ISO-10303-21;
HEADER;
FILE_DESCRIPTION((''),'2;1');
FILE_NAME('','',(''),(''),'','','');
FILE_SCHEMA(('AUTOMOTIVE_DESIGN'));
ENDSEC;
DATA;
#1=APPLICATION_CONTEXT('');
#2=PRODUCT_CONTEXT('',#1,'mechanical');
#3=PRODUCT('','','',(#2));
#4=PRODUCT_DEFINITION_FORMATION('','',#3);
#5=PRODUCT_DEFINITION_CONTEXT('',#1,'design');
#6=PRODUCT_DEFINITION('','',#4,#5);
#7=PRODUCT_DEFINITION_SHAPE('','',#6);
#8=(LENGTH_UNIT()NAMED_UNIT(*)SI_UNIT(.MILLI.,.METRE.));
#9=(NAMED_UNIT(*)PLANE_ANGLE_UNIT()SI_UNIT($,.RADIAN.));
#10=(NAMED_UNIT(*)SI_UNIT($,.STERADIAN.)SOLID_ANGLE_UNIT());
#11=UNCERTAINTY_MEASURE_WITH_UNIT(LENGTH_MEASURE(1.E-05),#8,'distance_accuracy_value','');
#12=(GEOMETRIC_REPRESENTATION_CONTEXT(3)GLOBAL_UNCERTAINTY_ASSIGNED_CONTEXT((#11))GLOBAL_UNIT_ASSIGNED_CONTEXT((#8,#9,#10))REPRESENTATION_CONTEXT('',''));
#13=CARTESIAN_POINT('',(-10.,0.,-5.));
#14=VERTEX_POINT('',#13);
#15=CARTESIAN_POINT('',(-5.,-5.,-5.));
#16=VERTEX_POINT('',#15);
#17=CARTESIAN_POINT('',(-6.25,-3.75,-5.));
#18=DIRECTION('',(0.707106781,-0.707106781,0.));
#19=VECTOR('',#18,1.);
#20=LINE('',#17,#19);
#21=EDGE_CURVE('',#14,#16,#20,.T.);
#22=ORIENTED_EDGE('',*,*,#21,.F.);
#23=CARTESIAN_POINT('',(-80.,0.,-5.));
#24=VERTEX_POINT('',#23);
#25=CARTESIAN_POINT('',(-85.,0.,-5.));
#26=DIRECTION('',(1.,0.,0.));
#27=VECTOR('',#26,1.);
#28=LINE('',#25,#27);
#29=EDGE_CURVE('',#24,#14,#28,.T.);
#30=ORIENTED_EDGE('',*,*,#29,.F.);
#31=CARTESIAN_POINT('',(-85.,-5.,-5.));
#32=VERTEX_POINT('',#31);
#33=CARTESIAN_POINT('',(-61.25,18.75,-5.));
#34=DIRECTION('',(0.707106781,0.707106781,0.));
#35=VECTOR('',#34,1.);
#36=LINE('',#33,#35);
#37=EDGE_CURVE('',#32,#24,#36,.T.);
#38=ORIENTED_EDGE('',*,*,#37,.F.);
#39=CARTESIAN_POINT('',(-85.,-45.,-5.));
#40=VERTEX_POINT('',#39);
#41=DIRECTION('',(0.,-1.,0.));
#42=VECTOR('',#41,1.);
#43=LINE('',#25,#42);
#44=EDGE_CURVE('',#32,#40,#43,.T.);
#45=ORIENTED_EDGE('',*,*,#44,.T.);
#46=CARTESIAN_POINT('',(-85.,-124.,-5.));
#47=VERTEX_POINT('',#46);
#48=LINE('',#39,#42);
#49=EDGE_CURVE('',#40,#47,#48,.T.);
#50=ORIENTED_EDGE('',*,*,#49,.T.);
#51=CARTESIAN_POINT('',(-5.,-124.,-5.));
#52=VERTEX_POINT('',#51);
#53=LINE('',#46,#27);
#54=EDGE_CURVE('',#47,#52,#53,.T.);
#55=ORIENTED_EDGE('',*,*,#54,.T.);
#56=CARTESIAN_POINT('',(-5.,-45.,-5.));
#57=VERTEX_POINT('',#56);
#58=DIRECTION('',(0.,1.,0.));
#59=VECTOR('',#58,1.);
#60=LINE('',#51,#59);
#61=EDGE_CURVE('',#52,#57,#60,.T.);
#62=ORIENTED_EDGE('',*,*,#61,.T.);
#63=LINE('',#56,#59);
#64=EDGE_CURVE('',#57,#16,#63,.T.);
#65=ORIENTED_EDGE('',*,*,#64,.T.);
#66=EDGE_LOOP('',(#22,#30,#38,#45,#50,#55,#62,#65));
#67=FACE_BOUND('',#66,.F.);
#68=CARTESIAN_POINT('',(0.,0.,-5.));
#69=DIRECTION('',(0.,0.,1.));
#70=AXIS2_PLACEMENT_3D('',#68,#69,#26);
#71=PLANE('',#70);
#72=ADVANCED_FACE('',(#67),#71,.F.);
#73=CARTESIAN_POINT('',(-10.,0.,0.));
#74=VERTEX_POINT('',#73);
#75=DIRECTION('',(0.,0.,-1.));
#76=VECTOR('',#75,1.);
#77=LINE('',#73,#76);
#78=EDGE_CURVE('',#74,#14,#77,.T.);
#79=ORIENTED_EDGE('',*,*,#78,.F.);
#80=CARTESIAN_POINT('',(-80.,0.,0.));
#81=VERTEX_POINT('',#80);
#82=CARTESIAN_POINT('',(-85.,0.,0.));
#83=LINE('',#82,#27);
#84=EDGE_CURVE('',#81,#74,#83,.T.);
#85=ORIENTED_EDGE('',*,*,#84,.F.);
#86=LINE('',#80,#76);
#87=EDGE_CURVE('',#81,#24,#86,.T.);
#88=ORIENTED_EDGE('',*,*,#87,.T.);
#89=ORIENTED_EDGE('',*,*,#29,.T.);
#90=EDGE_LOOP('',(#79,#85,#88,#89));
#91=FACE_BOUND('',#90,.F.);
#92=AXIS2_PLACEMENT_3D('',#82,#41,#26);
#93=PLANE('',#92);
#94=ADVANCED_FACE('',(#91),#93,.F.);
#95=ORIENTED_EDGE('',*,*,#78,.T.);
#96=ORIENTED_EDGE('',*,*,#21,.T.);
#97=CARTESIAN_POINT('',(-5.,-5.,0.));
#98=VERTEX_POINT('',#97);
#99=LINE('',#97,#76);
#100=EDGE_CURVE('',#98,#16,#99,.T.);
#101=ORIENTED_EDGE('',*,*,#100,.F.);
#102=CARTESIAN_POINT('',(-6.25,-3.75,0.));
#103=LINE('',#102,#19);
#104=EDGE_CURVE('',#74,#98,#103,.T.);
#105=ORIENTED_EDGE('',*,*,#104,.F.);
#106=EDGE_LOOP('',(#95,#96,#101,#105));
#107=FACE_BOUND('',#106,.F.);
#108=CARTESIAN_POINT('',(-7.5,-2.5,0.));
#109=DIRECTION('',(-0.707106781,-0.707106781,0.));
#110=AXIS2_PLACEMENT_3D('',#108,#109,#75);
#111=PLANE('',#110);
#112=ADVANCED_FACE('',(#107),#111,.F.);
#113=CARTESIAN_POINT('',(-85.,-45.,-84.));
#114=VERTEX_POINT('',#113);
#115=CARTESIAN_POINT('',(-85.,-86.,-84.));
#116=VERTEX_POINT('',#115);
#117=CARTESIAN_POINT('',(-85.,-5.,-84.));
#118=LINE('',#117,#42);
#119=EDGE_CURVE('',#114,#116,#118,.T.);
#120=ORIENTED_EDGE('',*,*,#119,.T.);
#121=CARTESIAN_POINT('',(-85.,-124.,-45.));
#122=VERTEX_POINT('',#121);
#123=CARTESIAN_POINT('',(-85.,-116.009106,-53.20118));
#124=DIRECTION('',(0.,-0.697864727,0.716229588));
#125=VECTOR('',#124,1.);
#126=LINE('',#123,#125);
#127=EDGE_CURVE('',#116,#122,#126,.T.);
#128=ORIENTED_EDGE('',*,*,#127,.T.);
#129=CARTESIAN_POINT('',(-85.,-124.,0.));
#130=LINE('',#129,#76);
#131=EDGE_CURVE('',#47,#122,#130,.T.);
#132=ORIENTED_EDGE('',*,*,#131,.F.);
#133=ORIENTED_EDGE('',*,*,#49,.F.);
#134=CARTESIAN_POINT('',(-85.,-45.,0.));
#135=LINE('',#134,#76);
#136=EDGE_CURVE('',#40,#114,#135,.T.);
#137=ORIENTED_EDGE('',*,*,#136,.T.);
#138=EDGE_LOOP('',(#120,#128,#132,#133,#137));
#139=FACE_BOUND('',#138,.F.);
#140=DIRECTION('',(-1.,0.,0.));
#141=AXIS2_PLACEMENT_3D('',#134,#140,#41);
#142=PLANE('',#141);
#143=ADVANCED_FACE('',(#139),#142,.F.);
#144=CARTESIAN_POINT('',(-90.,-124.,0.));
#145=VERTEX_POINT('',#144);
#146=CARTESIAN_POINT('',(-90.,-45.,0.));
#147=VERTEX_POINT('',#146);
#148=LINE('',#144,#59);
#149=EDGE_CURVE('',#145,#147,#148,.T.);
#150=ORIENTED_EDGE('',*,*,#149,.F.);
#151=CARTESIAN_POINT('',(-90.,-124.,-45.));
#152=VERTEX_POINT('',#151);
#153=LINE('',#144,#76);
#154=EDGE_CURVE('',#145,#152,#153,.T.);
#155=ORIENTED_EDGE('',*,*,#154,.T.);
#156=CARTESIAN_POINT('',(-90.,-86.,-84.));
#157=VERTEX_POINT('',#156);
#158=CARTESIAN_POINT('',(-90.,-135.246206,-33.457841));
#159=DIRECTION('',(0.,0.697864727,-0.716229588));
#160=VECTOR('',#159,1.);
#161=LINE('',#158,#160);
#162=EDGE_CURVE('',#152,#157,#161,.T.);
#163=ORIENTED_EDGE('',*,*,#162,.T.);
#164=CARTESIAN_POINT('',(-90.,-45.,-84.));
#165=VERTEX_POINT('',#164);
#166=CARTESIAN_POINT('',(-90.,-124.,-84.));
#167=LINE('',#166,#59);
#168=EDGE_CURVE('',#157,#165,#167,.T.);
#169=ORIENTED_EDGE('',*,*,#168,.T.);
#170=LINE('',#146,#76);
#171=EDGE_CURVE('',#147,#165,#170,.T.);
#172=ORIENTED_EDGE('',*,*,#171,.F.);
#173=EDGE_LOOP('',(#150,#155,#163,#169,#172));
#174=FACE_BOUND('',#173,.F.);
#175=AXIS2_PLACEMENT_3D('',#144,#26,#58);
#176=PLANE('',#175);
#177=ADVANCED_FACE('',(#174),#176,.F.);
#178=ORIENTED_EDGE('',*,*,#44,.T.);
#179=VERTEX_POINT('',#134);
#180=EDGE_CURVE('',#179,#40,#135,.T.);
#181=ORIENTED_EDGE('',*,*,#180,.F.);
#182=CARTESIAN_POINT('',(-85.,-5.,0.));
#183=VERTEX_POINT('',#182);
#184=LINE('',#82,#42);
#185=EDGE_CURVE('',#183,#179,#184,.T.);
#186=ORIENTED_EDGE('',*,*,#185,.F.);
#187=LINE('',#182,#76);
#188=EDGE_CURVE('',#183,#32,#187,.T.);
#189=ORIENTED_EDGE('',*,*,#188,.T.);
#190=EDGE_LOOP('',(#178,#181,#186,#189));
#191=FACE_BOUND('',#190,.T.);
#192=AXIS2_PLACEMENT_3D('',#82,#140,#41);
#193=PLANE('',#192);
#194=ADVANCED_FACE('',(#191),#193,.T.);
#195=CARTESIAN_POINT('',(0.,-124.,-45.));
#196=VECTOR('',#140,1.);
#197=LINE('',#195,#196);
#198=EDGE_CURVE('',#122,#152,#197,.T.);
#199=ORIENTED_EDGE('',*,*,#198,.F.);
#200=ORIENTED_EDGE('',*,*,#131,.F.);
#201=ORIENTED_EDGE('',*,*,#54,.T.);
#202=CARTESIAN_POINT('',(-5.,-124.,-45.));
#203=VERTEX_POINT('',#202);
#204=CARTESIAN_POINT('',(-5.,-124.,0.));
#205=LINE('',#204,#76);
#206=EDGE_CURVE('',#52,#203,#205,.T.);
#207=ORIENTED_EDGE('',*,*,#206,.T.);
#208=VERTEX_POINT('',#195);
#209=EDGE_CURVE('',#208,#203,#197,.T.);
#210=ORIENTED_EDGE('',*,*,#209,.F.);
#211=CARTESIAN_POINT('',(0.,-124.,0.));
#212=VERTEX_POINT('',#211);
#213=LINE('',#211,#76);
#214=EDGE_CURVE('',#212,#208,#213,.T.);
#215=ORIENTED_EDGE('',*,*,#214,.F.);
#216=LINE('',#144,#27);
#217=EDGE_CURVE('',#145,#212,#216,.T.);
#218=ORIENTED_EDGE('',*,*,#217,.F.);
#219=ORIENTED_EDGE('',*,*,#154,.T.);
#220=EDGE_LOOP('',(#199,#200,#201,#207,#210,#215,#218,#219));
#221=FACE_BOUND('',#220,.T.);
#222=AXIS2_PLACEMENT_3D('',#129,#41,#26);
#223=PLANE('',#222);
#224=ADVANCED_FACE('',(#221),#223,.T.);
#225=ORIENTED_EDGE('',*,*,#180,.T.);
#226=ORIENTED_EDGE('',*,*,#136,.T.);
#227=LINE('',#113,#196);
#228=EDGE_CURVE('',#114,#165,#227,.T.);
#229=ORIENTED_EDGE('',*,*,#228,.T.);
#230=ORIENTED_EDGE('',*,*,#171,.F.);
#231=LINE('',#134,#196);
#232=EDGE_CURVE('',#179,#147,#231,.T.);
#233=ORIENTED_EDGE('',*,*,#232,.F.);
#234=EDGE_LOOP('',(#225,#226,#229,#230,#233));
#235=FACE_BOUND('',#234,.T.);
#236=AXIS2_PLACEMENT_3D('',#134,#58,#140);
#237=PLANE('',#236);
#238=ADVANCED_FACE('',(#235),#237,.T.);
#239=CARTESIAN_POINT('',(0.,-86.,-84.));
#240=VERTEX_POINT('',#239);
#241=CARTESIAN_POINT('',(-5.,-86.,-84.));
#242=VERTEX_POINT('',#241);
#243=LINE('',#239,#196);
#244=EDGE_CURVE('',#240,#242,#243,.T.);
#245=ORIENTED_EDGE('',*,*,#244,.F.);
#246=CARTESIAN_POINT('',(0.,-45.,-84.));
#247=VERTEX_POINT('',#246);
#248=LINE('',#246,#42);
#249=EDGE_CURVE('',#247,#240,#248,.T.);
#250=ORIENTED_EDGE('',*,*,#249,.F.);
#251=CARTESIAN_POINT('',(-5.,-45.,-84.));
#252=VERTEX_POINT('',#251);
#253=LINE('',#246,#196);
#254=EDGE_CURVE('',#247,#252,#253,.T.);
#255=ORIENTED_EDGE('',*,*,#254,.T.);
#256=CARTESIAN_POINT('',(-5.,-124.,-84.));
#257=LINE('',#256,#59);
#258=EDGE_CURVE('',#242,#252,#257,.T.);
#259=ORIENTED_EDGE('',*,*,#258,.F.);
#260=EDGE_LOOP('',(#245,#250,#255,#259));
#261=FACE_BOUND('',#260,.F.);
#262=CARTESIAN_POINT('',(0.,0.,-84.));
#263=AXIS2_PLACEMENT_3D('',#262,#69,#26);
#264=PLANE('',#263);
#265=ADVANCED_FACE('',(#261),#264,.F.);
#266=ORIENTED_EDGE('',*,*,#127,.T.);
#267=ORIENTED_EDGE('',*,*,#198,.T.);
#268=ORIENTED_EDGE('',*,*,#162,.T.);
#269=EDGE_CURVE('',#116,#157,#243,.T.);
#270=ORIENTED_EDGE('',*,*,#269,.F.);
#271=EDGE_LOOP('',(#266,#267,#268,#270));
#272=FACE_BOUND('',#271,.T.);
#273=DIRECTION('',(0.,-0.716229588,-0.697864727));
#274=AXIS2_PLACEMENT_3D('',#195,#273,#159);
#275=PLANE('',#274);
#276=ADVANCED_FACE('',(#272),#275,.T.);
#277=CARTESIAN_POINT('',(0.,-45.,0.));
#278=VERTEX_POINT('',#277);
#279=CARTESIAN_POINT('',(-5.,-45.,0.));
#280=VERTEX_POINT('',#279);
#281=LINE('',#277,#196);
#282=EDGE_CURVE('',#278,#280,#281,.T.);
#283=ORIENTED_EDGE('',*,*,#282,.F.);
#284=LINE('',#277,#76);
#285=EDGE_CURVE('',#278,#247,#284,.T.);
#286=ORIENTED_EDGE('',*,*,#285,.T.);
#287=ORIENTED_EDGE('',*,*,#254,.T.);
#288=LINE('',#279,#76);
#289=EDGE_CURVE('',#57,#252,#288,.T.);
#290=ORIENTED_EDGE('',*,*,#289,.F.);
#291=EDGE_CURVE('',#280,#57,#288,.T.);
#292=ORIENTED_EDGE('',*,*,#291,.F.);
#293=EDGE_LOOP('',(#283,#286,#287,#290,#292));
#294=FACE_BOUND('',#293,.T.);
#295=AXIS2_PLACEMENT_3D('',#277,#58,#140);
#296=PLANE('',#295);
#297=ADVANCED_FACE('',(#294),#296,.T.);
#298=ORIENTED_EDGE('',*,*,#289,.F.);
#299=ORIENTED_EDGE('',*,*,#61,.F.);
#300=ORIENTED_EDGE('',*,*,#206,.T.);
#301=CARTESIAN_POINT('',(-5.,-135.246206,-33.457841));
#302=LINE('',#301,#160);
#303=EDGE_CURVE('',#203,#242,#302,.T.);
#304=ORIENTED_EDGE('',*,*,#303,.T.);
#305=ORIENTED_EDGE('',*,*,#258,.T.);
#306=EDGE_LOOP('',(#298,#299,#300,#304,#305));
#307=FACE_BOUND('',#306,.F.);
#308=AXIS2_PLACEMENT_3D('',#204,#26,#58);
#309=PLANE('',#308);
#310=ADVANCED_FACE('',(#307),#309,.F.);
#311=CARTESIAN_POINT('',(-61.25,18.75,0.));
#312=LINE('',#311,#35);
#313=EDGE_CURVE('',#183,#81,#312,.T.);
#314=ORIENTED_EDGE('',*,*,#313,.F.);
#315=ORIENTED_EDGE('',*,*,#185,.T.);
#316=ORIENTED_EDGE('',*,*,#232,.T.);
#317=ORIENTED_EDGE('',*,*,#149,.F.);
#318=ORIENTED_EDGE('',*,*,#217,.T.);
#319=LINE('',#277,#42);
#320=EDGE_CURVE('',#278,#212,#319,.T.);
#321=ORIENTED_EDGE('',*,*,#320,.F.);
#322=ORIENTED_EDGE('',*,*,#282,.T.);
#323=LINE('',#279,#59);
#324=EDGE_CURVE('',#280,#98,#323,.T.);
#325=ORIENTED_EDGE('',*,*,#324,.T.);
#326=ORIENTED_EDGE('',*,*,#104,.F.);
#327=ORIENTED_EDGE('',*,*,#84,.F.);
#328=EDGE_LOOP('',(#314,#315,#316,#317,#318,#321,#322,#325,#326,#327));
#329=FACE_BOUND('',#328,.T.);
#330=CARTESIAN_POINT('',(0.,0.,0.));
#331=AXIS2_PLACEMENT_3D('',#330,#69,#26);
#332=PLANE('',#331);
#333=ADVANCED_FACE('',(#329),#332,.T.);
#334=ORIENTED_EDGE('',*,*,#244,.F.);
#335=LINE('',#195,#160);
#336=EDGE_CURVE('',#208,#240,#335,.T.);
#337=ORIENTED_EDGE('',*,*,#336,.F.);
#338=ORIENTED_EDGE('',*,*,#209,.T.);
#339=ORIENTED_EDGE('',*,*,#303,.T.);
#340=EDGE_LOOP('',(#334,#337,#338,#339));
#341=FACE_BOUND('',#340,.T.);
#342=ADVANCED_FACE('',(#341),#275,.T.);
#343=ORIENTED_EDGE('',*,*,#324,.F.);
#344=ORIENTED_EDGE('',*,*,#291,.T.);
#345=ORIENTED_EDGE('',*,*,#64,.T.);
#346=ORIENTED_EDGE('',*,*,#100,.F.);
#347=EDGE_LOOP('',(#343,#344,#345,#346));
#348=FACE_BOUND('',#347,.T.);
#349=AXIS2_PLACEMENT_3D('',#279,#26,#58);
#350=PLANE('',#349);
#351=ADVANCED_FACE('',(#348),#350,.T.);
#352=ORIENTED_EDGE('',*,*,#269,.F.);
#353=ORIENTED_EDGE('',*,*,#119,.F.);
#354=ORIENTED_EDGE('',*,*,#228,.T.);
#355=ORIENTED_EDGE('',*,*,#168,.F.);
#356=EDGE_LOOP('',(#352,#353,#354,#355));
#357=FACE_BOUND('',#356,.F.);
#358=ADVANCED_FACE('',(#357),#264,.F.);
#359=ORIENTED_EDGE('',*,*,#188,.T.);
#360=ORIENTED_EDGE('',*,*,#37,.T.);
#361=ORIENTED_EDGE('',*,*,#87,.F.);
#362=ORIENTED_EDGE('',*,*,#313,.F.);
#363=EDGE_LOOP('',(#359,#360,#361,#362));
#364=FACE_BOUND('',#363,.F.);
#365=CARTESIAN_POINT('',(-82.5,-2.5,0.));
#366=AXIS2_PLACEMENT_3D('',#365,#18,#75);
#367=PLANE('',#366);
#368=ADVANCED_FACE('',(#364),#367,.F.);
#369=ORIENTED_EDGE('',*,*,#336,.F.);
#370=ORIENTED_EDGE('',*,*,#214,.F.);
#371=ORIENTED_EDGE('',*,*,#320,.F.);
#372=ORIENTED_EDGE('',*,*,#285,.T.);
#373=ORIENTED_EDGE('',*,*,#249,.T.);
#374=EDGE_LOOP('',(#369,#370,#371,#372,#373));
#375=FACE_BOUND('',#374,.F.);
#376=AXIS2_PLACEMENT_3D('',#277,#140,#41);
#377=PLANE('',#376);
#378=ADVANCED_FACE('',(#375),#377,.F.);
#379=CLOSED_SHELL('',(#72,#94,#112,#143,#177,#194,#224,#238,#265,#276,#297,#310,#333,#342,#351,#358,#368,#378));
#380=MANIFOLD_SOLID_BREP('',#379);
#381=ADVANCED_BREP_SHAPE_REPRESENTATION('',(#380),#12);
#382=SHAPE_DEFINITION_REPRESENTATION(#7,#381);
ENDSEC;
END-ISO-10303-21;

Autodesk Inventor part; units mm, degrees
ref_plane "YZ Plane" through (0, 0, 0) normal (1, 0, 0) x (0, 1, 0)
ref_plane "XZ Plane" through (0, 0, 0) normal (0, 1, 0) x (-1, 0, 0)
ref_plane "XY Plane" through (0, 0, 0) normal (0, 0, 1) x (1, 0, 0)
sketch "Sketch1" plane through (0, 0, 0) normal (0, 0, 1) x (1, 0, 0)
  line L0 (-5, -45) -> (-5, 0)
  line L1 (-85, 0) -> (-5, 0)
  line L2 (-85, 0) -> (-85, -45)
  line L3 (-85, 0) -> (-5, 0)
  line L4 (-5, 0) -> (-5, -45)
  line L5 (-85, -45) -> (-85, 0)
  line L6 (-85, -45) -> (-85, -124)
  line L7 (-85, -124) -> (-5, -124)
  line L8 (-5, -124) -> (-5, -45)
  point P0 (0, 0)
  dimension "d5" = 124
extrude "Extrusion1" add sketch "Sketch1" against normal blind 5
chamfer "Chamfer1" distance 5 angle 45 2 edges at (-5, 0, -2.5) (-85, 0, -2.5)
sketch "Sketch2" plane through (0, 0, 0) normal (0, 0, 1) x (1, 0, 0)
  line L0 (-85, -5) -> (-85, -124) projected
  line L1 (-85, -124) -> (-5, -124) projected
  line L2 (-5, -124) -> (-5, -5) projected
  line L3 (0, -45) -> (-5, -45)
  line L4 (0, -45) -> (0, 5)
  line L5 (-85, -45) -> (-90, -45)
  line L6 (-90, -45) -> (-90, 5)
  line L7 (-85, -124) -> (-90, -124)
  line L8 (-90, -124) -> (-90, -45)
  line L9 (-90, -45) -> (-85, -45)
  line L10 (-85, -45) -> (-85, -124)
  line L11 (-5, -45) -> (0, -45)
  line L12 (0, -45) -> (0, -124)
  line L13 (0, -124) -> (-5, -124)
  line L14 (-5, -124) -> (-5, -45)
  point P0 (0, 0)
  dimension "d6" = 5
extrude "Extrusion2" add sketch "Sketch2" against normal blind 84
sketch "Sketch3" plane through (0, -124, 0) normal (1, 0, 0) x (0, 0, -1)
  line L0 (84, 0) -> (84, 79) projected
  line L1 (0, 0) -> (84, 0) projected
  line L2 (45, 0) -> (84, 38)
  point P0 (0, 124)
  dimension "d9" = 45
  dimension "d10" = 38
extrude "Extrusion3" cut sketch "Sketch3" against normal through all
properties part number "ADSK-MH-10045" material "Steel, Mild"
